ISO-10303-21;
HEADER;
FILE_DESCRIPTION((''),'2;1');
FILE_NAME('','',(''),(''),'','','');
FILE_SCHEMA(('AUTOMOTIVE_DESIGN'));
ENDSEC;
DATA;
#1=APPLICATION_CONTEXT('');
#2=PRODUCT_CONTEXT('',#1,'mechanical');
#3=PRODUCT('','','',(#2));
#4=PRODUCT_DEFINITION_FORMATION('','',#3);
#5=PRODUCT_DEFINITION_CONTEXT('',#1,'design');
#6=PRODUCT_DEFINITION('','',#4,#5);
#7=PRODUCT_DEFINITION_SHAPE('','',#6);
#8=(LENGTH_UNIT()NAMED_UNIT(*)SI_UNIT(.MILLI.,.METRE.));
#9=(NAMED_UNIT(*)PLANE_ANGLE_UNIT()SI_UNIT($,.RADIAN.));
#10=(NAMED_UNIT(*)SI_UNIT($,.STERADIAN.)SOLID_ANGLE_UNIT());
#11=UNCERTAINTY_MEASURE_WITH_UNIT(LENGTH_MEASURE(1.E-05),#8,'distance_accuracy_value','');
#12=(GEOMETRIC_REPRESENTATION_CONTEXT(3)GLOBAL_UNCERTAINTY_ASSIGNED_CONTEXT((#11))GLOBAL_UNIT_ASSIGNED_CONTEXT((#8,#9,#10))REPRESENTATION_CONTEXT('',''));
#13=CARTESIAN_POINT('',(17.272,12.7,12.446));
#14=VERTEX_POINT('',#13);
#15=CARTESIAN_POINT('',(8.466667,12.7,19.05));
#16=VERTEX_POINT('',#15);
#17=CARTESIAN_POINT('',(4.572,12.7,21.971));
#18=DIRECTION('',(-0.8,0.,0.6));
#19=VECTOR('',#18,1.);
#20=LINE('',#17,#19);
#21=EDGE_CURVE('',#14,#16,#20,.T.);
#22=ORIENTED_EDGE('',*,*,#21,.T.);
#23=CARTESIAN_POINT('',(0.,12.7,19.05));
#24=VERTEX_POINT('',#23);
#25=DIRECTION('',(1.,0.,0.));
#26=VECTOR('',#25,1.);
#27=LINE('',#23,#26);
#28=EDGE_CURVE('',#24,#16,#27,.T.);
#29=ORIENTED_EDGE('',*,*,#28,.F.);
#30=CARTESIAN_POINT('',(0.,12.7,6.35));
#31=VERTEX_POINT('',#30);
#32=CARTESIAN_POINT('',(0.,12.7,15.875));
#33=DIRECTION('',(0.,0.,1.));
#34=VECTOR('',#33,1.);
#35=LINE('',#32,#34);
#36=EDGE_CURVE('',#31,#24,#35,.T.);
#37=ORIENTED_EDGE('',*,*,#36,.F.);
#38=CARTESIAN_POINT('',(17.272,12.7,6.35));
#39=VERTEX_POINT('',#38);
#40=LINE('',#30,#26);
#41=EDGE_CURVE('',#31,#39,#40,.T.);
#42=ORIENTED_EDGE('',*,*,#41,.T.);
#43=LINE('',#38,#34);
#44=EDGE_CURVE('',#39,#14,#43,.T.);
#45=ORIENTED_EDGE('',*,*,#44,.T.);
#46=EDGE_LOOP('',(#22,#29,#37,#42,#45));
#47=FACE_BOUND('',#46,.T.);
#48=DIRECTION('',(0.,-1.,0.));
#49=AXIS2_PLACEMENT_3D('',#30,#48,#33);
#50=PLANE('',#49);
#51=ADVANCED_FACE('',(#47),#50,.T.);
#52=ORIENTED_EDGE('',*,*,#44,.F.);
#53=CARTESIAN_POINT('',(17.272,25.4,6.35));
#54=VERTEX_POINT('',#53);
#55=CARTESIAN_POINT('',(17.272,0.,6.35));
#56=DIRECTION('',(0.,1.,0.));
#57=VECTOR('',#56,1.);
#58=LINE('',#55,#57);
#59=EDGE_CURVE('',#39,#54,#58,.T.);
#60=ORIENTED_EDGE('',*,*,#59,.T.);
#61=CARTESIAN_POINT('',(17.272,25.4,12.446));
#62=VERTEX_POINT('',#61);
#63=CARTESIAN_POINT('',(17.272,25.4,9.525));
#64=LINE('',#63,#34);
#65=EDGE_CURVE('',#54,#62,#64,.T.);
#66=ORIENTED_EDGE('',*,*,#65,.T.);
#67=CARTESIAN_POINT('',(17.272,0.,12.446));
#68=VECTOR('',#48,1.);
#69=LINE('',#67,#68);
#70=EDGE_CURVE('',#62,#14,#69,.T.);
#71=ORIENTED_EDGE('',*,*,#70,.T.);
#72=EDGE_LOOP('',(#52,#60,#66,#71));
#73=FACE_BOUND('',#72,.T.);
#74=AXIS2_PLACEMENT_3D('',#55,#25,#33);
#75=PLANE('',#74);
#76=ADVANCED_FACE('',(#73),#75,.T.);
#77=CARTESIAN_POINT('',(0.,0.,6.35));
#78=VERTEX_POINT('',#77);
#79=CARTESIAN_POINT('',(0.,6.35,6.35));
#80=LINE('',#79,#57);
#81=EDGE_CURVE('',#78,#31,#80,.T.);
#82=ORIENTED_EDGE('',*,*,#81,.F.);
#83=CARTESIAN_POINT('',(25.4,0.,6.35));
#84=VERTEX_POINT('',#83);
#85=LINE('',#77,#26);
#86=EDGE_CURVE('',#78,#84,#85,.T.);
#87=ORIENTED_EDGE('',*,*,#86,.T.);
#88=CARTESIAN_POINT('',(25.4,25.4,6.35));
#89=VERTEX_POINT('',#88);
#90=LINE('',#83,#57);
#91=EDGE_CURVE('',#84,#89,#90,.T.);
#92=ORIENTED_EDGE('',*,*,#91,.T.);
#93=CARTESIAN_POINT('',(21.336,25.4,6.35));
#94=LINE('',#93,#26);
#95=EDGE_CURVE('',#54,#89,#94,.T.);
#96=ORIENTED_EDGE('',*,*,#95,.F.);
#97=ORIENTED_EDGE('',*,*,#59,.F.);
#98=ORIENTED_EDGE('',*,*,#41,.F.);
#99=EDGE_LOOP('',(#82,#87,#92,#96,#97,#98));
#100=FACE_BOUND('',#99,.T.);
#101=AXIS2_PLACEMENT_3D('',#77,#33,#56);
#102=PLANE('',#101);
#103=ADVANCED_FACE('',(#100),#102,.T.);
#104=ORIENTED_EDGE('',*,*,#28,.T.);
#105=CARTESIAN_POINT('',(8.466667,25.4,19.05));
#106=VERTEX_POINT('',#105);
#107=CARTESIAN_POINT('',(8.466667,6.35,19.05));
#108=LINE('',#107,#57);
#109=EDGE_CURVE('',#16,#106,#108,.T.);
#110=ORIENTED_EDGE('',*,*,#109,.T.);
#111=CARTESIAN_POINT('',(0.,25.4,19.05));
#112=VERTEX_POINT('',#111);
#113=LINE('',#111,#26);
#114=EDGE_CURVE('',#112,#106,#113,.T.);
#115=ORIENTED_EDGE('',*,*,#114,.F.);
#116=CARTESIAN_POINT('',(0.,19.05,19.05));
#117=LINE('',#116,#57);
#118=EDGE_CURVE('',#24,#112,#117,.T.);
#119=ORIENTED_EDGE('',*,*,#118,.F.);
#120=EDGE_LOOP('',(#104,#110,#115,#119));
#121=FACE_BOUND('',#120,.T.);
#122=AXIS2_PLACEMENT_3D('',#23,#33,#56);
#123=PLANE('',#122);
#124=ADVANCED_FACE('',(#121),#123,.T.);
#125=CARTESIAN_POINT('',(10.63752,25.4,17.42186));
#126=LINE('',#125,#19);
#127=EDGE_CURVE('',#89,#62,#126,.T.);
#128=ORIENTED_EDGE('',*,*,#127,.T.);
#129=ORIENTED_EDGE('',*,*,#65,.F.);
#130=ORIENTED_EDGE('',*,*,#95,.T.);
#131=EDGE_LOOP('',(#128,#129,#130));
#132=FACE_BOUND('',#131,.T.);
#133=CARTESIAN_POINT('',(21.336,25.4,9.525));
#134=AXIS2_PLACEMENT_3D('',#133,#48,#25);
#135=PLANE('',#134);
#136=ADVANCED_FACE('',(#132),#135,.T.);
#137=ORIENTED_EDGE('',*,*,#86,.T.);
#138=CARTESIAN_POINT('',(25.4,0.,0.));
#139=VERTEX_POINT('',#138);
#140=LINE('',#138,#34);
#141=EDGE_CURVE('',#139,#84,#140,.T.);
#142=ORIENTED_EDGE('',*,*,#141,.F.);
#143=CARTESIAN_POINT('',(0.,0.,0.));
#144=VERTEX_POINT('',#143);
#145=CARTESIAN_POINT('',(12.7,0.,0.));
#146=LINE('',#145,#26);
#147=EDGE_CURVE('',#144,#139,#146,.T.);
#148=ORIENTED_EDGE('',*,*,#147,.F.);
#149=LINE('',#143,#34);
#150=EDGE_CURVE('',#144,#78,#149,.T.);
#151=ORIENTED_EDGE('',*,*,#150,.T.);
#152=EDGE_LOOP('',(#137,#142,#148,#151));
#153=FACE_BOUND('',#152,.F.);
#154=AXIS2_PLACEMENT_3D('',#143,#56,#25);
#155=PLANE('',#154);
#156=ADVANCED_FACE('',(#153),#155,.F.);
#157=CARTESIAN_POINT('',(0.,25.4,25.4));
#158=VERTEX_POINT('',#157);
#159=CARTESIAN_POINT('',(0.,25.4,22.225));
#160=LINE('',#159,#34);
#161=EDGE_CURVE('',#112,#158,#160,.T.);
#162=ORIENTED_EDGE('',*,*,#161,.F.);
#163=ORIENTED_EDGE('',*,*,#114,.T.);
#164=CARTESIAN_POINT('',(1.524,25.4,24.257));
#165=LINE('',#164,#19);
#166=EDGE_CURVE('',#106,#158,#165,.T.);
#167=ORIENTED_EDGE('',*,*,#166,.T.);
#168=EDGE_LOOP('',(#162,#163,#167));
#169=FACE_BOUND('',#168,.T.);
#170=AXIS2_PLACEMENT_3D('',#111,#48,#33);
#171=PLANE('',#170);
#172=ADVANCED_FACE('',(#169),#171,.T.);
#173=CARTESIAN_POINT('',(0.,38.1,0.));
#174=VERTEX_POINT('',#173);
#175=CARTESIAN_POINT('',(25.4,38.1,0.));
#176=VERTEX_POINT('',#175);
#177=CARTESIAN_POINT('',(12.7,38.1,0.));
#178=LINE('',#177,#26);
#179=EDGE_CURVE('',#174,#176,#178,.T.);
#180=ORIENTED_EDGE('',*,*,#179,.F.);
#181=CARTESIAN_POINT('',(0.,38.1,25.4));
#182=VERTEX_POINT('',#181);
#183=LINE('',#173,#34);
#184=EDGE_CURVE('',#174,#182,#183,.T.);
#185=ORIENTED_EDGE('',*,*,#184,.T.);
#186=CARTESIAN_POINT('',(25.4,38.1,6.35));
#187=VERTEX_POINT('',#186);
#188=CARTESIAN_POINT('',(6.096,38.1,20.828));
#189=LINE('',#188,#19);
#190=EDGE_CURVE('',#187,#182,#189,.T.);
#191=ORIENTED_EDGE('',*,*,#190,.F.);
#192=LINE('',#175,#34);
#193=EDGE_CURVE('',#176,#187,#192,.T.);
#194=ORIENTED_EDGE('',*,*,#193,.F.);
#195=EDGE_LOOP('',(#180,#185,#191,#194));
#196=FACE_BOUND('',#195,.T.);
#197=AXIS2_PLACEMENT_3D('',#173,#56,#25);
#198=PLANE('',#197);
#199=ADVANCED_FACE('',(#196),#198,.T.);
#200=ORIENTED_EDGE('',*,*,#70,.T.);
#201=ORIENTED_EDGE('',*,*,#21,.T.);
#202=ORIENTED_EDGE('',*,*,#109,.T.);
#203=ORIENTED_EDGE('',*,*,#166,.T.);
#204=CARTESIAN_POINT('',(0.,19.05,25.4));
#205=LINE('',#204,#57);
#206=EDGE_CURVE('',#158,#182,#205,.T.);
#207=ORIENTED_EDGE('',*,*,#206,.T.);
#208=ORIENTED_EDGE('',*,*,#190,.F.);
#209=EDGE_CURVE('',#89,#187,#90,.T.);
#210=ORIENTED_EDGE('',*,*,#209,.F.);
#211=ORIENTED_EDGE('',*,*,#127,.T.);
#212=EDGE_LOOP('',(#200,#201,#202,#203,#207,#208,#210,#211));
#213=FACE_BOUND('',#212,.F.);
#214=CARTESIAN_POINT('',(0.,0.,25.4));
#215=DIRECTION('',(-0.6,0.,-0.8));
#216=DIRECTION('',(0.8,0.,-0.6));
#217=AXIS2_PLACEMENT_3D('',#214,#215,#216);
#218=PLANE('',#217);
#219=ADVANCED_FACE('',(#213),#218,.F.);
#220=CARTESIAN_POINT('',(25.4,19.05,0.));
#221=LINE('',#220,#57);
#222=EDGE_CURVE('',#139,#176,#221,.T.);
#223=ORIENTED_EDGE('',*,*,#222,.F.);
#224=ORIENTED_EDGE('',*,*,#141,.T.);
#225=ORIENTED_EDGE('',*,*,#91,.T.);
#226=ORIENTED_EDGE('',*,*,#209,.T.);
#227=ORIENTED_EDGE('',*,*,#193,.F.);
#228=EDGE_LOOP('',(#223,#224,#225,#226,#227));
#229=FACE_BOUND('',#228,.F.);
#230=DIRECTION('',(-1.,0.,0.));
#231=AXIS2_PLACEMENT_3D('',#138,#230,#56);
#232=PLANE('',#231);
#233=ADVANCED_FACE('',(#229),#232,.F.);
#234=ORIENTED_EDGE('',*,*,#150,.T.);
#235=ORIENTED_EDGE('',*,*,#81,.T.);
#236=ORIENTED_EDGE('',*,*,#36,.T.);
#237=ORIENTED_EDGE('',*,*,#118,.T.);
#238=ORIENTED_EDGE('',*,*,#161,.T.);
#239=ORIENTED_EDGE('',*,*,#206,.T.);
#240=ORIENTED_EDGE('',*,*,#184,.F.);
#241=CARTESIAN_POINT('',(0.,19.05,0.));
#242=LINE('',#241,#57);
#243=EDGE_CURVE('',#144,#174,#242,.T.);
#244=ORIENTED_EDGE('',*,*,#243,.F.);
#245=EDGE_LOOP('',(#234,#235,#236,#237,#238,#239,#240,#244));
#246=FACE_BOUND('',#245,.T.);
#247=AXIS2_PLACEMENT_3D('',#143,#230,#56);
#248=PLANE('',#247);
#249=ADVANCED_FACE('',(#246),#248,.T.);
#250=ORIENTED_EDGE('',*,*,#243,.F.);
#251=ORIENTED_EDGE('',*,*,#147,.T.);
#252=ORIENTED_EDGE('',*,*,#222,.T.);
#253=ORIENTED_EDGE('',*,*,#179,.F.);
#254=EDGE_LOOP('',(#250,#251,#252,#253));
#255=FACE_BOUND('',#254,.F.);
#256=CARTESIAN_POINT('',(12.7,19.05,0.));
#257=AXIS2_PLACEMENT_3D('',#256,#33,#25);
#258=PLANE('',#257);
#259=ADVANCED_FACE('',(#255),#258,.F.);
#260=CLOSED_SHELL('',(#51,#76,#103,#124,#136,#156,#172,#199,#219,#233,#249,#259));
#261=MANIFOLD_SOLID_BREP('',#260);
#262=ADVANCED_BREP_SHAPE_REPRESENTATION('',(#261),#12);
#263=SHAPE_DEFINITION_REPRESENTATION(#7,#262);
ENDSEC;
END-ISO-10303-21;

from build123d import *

# Parameters (mm, degrees)
F0_W      = 25.4
F0_H      = 38.1
F1_DEPTH  = 25.4
F3_DEPTH  = 50.8
F4_W      = 12.7
F4_H      = 19.05
F5_DEPTH  = 50.8
F7_W      = 12.7
F7_H      = 6.35
F8_DEPTH  = 25.4
F9_W      = 8.128
F9_H      = 6.35
F10_DEPTH = 25.4


with BuildPart() as f1:
    # F0 (on Top) → F1 (new body)
    with BuildSketch(Plane.XY):
        with Locations((12.7, 19.05)):
            Rectangle(F0_W, F0_H)
    extrude(amount=F1_DEPTH)

    # F2 (on Front) → F3 (cut)
    with BuildSketch(Plane.XZ):
        Polygon((25.4, 25.4), (0, 25.4), (25.4, 6.35), align=None)
    extrude(amount=-F3_DEPTH, mode=Mode.SUBTRACT)

    # F4 (on Right) → F5 (cut)
    with BuildSketch(Plane.YZ):
        with Locations((6.35, 15.875)):
            Rectangle(F4_W, F4_H)
    extrude(amount=F5_DEPTH, mode=Mode.SUBTRACT)

    # F7 (on Right) → F8 (cut)
    with BuildSketch(Plane.YZ):
        with Locations((19.05, 22.225)):
            Rectangle(F7_W, F7_H)
    extrude(amount=F8_DEPTH, mode=Mode.SUBTRACT)

    # F9 (on Front) → F10 (cut)
    with BuildSketch(Plane.XZ):
        with Locations((21.336, 9.525)):
            Rectangle(F9_W, F9_H)
    extrude(amount=-F10_DEPTH, mode=Mode.SUBTRACT)


solid = f1.part
